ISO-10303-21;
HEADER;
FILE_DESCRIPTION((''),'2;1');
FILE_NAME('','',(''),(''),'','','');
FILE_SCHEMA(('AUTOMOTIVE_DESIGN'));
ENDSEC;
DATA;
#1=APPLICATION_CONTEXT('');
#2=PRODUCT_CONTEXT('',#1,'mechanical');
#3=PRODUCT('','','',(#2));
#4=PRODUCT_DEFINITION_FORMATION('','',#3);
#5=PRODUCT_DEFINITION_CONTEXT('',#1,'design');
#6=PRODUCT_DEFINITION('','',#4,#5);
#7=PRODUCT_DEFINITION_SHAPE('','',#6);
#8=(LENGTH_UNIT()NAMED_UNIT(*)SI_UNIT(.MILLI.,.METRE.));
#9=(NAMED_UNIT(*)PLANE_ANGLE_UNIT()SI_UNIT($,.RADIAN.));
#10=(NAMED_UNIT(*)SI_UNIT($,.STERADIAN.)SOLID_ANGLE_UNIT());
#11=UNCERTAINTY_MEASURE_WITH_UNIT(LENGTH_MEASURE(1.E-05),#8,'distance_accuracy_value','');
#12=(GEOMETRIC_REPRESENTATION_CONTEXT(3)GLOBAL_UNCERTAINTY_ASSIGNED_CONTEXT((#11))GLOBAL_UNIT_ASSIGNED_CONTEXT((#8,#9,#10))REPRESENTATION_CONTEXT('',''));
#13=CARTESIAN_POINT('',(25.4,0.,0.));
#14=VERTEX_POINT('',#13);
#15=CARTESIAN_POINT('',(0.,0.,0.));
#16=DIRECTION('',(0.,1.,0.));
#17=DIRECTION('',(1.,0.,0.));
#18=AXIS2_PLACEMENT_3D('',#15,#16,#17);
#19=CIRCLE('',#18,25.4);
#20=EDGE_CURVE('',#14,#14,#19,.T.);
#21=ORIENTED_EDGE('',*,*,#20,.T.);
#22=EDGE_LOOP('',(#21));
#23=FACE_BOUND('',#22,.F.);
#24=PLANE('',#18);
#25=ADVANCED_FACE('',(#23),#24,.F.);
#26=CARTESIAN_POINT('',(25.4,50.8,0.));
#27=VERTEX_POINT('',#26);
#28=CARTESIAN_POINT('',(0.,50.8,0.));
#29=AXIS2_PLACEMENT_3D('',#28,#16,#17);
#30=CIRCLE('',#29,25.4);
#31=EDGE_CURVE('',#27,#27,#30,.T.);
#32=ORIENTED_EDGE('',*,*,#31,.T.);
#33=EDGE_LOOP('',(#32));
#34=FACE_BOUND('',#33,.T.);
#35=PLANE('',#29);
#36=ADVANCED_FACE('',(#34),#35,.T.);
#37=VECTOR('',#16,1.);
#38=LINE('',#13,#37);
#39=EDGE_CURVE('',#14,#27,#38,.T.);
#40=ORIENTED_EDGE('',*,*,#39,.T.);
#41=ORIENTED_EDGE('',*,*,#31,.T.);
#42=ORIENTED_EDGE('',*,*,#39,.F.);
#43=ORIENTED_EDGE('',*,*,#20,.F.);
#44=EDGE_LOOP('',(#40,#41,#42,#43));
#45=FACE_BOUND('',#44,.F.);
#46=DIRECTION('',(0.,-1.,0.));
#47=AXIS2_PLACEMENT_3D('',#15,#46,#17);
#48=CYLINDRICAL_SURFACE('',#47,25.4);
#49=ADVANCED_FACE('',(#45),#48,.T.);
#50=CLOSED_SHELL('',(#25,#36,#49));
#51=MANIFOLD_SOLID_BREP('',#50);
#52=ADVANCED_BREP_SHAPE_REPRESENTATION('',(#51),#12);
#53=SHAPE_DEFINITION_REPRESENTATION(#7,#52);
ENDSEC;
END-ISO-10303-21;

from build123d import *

# Parameters (mm, degrees)
SKETCH1_R           = 25.4
BOSS_EXTRUDE1_DEPTH = 50.8


with BuildPart() as part:
    # Sketch1 → Boss-Extrude1 (new body)
    with BuildSketch(Plane(origin=(0, 0, 0), x_dir=(1, 0, 0), z_dir=(0, 1, 0))):
        Circle(SKETCH1_R)
    extrude(amount=BOSS_EXTRUDE1_DEPTH)


solid = part.part
